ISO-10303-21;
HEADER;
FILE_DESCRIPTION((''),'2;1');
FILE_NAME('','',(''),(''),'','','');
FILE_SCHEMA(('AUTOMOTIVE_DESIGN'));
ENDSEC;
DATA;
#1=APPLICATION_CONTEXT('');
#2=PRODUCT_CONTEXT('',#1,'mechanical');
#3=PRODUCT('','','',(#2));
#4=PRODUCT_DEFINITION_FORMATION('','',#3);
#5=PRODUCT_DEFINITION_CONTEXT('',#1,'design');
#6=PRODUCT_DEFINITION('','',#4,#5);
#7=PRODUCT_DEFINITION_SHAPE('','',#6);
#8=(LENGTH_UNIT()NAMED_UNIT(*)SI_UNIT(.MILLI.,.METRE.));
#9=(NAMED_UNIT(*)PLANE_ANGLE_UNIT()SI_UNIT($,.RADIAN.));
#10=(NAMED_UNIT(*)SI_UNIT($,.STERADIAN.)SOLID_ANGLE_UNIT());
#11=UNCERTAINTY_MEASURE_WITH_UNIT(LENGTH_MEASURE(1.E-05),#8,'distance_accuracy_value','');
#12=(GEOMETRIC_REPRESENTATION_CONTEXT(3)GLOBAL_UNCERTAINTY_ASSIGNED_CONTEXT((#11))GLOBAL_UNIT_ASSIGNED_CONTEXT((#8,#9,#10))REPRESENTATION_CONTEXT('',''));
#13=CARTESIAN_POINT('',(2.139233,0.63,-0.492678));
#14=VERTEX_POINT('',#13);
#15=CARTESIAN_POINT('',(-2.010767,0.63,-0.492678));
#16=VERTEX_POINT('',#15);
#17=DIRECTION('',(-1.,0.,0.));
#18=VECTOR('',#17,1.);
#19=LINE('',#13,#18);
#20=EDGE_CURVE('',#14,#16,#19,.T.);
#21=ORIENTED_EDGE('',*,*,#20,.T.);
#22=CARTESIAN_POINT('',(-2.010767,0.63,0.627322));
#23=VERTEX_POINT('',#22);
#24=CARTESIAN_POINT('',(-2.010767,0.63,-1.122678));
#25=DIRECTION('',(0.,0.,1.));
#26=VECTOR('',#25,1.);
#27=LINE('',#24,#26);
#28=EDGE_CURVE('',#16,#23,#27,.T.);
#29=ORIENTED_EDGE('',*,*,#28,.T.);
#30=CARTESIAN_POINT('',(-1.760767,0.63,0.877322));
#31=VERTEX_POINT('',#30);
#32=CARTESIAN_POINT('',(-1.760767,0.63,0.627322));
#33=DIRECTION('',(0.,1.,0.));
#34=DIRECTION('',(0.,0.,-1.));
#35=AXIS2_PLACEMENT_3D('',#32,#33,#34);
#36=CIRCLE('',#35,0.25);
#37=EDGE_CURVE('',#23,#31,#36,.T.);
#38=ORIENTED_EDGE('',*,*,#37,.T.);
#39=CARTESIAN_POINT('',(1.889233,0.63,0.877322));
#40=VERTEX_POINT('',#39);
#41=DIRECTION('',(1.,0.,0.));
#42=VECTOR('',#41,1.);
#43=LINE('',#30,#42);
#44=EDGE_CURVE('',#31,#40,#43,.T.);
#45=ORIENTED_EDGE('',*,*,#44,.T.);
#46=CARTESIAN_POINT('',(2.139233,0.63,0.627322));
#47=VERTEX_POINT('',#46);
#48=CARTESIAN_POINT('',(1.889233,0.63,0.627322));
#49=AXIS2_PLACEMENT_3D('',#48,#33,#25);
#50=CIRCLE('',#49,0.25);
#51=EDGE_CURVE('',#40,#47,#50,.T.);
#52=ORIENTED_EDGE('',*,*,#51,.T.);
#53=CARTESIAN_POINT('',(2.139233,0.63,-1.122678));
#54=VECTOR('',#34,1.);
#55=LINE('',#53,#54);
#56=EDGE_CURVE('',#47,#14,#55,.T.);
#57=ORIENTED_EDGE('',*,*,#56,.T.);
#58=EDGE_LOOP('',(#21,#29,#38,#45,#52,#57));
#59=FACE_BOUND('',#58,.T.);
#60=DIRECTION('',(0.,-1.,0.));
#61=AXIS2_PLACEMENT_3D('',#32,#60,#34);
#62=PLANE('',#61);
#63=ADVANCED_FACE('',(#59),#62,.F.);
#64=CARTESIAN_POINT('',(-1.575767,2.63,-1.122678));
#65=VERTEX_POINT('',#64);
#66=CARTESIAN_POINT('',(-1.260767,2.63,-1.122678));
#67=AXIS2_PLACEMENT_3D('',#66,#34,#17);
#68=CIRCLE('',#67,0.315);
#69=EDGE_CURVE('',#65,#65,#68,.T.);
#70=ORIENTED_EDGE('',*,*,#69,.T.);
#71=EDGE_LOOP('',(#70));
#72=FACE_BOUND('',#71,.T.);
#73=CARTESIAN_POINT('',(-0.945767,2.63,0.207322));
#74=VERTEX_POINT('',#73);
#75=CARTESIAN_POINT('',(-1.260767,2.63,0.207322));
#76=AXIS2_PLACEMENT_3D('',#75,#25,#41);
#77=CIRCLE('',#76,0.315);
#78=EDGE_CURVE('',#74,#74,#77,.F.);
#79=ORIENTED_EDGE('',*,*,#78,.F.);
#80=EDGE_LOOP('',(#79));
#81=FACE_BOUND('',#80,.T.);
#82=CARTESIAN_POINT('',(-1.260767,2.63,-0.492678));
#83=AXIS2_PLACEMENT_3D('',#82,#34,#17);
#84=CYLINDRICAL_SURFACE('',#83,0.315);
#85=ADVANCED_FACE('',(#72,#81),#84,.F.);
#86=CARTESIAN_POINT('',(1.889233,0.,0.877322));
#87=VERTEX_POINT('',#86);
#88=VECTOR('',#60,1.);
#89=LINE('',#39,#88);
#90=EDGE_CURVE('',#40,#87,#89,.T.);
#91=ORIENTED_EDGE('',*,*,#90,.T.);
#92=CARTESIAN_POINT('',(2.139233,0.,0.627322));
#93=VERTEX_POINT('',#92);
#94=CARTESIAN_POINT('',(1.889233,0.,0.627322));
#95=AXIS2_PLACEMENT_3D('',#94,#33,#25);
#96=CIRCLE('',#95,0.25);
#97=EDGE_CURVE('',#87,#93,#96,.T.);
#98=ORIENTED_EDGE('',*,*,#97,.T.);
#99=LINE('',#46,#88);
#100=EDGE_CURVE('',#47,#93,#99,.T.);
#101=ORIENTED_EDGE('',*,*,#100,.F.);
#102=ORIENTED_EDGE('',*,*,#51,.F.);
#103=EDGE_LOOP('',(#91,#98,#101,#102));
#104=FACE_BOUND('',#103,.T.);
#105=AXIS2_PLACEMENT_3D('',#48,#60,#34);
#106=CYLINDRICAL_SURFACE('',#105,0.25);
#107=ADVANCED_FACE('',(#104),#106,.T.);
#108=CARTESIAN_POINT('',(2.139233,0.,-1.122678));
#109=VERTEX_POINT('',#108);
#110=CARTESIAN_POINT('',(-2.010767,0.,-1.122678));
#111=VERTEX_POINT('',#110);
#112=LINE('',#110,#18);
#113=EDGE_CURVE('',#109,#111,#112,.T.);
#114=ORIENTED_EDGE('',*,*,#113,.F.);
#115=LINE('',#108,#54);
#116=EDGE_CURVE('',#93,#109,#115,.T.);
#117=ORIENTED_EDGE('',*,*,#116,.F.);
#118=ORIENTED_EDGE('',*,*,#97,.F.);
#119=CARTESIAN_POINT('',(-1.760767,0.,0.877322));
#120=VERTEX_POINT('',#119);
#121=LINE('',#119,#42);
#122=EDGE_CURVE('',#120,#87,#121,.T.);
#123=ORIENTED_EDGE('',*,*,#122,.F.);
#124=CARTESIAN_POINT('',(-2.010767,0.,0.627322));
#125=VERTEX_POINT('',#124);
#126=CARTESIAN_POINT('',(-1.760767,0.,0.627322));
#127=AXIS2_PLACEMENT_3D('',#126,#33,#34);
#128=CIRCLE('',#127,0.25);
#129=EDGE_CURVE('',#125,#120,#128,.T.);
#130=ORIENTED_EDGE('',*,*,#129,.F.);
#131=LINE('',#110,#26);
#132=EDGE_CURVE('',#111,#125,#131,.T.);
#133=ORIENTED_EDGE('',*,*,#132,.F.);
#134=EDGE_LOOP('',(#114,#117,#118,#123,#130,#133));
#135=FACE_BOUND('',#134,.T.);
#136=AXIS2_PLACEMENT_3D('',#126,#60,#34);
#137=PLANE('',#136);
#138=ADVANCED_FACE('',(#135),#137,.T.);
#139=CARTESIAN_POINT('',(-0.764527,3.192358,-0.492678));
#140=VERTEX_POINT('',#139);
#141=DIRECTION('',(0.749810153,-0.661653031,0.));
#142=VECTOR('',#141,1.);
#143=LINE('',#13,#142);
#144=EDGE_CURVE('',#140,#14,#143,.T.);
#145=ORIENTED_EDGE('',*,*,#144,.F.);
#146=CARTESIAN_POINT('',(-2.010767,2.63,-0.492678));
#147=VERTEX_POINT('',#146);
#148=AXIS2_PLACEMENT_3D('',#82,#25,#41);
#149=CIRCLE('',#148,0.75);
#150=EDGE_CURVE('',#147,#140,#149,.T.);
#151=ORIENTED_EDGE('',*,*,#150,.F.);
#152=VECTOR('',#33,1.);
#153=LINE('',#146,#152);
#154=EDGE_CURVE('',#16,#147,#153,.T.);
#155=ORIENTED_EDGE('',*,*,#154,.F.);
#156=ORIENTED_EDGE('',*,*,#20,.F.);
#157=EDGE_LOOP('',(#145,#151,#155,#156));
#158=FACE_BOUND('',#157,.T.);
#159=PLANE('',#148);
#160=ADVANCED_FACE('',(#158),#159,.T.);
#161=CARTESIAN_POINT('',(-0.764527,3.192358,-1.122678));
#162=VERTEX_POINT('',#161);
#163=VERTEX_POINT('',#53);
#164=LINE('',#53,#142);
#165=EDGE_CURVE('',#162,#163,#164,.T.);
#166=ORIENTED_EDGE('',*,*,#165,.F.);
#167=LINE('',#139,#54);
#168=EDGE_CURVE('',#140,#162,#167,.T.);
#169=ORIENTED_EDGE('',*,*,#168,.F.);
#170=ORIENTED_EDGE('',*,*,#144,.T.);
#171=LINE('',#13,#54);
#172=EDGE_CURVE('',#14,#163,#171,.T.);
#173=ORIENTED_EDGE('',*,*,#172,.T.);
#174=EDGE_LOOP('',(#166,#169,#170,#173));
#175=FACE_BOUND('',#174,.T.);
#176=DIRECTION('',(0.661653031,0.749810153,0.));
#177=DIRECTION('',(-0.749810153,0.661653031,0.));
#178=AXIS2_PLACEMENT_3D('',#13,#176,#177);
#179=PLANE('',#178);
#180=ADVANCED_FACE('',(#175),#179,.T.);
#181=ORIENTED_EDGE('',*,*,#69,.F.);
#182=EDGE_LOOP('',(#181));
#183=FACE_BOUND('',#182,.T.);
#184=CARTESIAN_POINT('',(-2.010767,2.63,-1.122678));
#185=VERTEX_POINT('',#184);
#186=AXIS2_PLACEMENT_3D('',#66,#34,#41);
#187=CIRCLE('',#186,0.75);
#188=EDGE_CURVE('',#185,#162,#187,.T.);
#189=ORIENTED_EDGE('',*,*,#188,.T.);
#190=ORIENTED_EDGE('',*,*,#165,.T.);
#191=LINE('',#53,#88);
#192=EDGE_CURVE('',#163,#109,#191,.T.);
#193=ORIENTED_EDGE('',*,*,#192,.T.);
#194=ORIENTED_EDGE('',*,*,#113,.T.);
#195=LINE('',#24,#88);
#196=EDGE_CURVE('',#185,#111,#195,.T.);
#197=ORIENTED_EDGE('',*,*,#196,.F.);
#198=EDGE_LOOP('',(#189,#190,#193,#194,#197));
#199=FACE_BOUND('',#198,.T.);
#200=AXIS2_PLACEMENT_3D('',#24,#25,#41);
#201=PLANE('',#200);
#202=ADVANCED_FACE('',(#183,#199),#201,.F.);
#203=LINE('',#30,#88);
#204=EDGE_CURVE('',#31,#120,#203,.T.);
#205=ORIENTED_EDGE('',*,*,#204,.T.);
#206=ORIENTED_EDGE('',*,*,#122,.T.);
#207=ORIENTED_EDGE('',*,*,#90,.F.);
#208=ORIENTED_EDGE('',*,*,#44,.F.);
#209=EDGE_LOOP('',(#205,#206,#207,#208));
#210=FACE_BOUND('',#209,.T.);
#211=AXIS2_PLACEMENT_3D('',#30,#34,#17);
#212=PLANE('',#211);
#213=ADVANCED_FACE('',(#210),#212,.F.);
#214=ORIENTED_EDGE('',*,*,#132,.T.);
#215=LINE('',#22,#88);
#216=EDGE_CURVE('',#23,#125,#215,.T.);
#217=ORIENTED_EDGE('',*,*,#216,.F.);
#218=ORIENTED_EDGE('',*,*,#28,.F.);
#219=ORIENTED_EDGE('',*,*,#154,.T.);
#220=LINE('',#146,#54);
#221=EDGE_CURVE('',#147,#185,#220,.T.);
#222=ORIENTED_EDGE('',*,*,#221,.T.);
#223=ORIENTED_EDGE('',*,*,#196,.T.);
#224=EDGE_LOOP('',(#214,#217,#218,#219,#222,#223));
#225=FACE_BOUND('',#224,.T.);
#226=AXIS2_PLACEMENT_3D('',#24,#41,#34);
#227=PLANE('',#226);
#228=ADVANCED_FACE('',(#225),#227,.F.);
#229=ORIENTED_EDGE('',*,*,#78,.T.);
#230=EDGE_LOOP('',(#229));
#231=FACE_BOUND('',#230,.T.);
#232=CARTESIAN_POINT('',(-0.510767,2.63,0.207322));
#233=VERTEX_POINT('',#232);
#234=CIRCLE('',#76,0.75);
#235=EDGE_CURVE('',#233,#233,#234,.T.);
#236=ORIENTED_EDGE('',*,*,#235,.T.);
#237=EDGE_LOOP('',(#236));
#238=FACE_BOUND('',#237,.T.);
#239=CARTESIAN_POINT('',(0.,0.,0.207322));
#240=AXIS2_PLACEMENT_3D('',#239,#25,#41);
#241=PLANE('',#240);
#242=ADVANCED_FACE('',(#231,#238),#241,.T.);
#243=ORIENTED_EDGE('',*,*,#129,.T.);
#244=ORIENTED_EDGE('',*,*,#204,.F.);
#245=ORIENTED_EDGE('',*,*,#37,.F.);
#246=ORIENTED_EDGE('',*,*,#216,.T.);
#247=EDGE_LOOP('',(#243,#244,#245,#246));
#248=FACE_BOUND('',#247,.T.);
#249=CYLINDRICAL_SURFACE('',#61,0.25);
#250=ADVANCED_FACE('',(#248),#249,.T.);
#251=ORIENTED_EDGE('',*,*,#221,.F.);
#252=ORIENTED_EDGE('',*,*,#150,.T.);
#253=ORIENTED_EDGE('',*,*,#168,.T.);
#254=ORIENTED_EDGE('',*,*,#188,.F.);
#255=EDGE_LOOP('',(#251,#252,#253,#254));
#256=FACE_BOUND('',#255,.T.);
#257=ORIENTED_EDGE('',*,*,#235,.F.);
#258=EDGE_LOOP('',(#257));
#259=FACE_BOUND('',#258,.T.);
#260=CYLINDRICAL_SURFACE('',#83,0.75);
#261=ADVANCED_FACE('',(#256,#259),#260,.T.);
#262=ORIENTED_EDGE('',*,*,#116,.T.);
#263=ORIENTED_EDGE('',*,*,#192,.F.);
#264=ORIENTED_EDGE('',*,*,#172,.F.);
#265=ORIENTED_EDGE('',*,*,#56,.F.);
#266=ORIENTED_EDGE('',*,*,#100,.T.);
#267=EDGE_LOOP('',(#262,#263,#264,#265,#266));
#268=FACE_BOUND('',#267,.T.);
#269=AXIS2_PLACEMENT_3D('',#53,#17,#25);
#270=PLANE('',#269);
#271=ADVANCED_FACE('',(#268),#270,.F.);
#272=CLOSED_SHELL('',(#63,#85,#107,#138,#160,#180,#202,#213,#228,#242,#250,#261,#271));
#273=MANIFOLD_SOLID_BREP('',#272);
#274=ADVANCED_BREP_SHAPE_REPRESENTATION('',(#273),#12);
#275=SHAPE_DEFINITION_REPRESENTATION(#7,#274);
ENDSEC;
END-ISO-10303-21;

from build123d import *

# Parameters (mm, degrees)
SALIENTE_EXTRUIR1_DEPTH = 0.63
CROQUIS2_R              = 0.315
SALIENTE_EXTRUIR2_DEPTH = 0.63
CROQUIS3_R              = 0.315
SALIENTE_EXTRUIR3_DEPTH = 0.7


with BuildPart() as part:
    # Croquis1 → Saliente-Extruir1 (new body)
    with BuildSketch(Plane(origin=(0, 0, 0), x_dir=(1, 0, 0), z_dir=(0, 1, 0))):
        with BuildLine():
            Line((-2.01076716, 1.122678331), (2.13923284, 1.122678331))
            Line((2.13923284, 1.122678331), (2.13923284, -0.627321669))
            ThreePointArc((2.13923284, -0.627321669), (2.066009535, -0.804098364), (1.88923284, -0.877321669))
            Line((1.88923284, -0.877321669), (-1.76076716, -0.877321669))
            ThreePointArc((-1.76076716, -0.877321669), (-1.937543855, -0.804098364), (-2.01076716, -0.627321669))
            Line((-2.01076716, -0.627321669), (-2.01076716, 1.122678331))
        make_face()
    extrude(amount=SALIENTE_EXTRUIR1_DEPTH)

    # Croquis2 → Saliente-Extruir2 (add)
    with BuildSketch(Plane(origin=(0, 0, -1.122678331), x_dir=(-1, 0, 0), z_dir=(0, 0, -1))):
        with BuildLine():
            Line((-2.13923284, 0.63), (0.764527387, 3.192357615))
            ThreePointArc((0.764527387, 3.192357615), (1.569247443, 3.313622641), (2.01076716, 2.63))
            Line((2.01076716, 2.63), (2.01076716, 0.63))
            Line((2.01076716, 0.63), (-2.13923284, 0.63))
        make_face()
        with Locations((1.26076716, 2.63)):
            Circle(CROQUIS2_R, mode=Mode.SUBTRACT)
    extrude(amount=-SALIENTE_EXTRUIR2_DEPTH)

    # Croquis3 → Saliente-Extruir3 (add)
    with BuildSketch(Plane.XY.offset(-0.492678331)):
        with BuildLine():
            ThreePointArc((-0.764527387, 3.192357615), (-1.569247443, 3.313622641), (-2.01076716, 2.63))
            ThreePointArc((-2.01076716, 2.63), (-1.26076716, 1.88), (-0.51076716, 2.63))
            ThreePointArc((-0.51076716, 2.63), (-0.577144519, 2.938480283), (-0.764527387, 3.192357615))
        make_face()
        with Locations(Location((-1.26076716, 2.63, 0), (0, 0, 180))):
            Circle(CROQUIS3_R, mode=Mode.SUBTRACT)
    extrude(amount=SALIENTE_EXTRUIR3_DEPTH)


solid = part.part
